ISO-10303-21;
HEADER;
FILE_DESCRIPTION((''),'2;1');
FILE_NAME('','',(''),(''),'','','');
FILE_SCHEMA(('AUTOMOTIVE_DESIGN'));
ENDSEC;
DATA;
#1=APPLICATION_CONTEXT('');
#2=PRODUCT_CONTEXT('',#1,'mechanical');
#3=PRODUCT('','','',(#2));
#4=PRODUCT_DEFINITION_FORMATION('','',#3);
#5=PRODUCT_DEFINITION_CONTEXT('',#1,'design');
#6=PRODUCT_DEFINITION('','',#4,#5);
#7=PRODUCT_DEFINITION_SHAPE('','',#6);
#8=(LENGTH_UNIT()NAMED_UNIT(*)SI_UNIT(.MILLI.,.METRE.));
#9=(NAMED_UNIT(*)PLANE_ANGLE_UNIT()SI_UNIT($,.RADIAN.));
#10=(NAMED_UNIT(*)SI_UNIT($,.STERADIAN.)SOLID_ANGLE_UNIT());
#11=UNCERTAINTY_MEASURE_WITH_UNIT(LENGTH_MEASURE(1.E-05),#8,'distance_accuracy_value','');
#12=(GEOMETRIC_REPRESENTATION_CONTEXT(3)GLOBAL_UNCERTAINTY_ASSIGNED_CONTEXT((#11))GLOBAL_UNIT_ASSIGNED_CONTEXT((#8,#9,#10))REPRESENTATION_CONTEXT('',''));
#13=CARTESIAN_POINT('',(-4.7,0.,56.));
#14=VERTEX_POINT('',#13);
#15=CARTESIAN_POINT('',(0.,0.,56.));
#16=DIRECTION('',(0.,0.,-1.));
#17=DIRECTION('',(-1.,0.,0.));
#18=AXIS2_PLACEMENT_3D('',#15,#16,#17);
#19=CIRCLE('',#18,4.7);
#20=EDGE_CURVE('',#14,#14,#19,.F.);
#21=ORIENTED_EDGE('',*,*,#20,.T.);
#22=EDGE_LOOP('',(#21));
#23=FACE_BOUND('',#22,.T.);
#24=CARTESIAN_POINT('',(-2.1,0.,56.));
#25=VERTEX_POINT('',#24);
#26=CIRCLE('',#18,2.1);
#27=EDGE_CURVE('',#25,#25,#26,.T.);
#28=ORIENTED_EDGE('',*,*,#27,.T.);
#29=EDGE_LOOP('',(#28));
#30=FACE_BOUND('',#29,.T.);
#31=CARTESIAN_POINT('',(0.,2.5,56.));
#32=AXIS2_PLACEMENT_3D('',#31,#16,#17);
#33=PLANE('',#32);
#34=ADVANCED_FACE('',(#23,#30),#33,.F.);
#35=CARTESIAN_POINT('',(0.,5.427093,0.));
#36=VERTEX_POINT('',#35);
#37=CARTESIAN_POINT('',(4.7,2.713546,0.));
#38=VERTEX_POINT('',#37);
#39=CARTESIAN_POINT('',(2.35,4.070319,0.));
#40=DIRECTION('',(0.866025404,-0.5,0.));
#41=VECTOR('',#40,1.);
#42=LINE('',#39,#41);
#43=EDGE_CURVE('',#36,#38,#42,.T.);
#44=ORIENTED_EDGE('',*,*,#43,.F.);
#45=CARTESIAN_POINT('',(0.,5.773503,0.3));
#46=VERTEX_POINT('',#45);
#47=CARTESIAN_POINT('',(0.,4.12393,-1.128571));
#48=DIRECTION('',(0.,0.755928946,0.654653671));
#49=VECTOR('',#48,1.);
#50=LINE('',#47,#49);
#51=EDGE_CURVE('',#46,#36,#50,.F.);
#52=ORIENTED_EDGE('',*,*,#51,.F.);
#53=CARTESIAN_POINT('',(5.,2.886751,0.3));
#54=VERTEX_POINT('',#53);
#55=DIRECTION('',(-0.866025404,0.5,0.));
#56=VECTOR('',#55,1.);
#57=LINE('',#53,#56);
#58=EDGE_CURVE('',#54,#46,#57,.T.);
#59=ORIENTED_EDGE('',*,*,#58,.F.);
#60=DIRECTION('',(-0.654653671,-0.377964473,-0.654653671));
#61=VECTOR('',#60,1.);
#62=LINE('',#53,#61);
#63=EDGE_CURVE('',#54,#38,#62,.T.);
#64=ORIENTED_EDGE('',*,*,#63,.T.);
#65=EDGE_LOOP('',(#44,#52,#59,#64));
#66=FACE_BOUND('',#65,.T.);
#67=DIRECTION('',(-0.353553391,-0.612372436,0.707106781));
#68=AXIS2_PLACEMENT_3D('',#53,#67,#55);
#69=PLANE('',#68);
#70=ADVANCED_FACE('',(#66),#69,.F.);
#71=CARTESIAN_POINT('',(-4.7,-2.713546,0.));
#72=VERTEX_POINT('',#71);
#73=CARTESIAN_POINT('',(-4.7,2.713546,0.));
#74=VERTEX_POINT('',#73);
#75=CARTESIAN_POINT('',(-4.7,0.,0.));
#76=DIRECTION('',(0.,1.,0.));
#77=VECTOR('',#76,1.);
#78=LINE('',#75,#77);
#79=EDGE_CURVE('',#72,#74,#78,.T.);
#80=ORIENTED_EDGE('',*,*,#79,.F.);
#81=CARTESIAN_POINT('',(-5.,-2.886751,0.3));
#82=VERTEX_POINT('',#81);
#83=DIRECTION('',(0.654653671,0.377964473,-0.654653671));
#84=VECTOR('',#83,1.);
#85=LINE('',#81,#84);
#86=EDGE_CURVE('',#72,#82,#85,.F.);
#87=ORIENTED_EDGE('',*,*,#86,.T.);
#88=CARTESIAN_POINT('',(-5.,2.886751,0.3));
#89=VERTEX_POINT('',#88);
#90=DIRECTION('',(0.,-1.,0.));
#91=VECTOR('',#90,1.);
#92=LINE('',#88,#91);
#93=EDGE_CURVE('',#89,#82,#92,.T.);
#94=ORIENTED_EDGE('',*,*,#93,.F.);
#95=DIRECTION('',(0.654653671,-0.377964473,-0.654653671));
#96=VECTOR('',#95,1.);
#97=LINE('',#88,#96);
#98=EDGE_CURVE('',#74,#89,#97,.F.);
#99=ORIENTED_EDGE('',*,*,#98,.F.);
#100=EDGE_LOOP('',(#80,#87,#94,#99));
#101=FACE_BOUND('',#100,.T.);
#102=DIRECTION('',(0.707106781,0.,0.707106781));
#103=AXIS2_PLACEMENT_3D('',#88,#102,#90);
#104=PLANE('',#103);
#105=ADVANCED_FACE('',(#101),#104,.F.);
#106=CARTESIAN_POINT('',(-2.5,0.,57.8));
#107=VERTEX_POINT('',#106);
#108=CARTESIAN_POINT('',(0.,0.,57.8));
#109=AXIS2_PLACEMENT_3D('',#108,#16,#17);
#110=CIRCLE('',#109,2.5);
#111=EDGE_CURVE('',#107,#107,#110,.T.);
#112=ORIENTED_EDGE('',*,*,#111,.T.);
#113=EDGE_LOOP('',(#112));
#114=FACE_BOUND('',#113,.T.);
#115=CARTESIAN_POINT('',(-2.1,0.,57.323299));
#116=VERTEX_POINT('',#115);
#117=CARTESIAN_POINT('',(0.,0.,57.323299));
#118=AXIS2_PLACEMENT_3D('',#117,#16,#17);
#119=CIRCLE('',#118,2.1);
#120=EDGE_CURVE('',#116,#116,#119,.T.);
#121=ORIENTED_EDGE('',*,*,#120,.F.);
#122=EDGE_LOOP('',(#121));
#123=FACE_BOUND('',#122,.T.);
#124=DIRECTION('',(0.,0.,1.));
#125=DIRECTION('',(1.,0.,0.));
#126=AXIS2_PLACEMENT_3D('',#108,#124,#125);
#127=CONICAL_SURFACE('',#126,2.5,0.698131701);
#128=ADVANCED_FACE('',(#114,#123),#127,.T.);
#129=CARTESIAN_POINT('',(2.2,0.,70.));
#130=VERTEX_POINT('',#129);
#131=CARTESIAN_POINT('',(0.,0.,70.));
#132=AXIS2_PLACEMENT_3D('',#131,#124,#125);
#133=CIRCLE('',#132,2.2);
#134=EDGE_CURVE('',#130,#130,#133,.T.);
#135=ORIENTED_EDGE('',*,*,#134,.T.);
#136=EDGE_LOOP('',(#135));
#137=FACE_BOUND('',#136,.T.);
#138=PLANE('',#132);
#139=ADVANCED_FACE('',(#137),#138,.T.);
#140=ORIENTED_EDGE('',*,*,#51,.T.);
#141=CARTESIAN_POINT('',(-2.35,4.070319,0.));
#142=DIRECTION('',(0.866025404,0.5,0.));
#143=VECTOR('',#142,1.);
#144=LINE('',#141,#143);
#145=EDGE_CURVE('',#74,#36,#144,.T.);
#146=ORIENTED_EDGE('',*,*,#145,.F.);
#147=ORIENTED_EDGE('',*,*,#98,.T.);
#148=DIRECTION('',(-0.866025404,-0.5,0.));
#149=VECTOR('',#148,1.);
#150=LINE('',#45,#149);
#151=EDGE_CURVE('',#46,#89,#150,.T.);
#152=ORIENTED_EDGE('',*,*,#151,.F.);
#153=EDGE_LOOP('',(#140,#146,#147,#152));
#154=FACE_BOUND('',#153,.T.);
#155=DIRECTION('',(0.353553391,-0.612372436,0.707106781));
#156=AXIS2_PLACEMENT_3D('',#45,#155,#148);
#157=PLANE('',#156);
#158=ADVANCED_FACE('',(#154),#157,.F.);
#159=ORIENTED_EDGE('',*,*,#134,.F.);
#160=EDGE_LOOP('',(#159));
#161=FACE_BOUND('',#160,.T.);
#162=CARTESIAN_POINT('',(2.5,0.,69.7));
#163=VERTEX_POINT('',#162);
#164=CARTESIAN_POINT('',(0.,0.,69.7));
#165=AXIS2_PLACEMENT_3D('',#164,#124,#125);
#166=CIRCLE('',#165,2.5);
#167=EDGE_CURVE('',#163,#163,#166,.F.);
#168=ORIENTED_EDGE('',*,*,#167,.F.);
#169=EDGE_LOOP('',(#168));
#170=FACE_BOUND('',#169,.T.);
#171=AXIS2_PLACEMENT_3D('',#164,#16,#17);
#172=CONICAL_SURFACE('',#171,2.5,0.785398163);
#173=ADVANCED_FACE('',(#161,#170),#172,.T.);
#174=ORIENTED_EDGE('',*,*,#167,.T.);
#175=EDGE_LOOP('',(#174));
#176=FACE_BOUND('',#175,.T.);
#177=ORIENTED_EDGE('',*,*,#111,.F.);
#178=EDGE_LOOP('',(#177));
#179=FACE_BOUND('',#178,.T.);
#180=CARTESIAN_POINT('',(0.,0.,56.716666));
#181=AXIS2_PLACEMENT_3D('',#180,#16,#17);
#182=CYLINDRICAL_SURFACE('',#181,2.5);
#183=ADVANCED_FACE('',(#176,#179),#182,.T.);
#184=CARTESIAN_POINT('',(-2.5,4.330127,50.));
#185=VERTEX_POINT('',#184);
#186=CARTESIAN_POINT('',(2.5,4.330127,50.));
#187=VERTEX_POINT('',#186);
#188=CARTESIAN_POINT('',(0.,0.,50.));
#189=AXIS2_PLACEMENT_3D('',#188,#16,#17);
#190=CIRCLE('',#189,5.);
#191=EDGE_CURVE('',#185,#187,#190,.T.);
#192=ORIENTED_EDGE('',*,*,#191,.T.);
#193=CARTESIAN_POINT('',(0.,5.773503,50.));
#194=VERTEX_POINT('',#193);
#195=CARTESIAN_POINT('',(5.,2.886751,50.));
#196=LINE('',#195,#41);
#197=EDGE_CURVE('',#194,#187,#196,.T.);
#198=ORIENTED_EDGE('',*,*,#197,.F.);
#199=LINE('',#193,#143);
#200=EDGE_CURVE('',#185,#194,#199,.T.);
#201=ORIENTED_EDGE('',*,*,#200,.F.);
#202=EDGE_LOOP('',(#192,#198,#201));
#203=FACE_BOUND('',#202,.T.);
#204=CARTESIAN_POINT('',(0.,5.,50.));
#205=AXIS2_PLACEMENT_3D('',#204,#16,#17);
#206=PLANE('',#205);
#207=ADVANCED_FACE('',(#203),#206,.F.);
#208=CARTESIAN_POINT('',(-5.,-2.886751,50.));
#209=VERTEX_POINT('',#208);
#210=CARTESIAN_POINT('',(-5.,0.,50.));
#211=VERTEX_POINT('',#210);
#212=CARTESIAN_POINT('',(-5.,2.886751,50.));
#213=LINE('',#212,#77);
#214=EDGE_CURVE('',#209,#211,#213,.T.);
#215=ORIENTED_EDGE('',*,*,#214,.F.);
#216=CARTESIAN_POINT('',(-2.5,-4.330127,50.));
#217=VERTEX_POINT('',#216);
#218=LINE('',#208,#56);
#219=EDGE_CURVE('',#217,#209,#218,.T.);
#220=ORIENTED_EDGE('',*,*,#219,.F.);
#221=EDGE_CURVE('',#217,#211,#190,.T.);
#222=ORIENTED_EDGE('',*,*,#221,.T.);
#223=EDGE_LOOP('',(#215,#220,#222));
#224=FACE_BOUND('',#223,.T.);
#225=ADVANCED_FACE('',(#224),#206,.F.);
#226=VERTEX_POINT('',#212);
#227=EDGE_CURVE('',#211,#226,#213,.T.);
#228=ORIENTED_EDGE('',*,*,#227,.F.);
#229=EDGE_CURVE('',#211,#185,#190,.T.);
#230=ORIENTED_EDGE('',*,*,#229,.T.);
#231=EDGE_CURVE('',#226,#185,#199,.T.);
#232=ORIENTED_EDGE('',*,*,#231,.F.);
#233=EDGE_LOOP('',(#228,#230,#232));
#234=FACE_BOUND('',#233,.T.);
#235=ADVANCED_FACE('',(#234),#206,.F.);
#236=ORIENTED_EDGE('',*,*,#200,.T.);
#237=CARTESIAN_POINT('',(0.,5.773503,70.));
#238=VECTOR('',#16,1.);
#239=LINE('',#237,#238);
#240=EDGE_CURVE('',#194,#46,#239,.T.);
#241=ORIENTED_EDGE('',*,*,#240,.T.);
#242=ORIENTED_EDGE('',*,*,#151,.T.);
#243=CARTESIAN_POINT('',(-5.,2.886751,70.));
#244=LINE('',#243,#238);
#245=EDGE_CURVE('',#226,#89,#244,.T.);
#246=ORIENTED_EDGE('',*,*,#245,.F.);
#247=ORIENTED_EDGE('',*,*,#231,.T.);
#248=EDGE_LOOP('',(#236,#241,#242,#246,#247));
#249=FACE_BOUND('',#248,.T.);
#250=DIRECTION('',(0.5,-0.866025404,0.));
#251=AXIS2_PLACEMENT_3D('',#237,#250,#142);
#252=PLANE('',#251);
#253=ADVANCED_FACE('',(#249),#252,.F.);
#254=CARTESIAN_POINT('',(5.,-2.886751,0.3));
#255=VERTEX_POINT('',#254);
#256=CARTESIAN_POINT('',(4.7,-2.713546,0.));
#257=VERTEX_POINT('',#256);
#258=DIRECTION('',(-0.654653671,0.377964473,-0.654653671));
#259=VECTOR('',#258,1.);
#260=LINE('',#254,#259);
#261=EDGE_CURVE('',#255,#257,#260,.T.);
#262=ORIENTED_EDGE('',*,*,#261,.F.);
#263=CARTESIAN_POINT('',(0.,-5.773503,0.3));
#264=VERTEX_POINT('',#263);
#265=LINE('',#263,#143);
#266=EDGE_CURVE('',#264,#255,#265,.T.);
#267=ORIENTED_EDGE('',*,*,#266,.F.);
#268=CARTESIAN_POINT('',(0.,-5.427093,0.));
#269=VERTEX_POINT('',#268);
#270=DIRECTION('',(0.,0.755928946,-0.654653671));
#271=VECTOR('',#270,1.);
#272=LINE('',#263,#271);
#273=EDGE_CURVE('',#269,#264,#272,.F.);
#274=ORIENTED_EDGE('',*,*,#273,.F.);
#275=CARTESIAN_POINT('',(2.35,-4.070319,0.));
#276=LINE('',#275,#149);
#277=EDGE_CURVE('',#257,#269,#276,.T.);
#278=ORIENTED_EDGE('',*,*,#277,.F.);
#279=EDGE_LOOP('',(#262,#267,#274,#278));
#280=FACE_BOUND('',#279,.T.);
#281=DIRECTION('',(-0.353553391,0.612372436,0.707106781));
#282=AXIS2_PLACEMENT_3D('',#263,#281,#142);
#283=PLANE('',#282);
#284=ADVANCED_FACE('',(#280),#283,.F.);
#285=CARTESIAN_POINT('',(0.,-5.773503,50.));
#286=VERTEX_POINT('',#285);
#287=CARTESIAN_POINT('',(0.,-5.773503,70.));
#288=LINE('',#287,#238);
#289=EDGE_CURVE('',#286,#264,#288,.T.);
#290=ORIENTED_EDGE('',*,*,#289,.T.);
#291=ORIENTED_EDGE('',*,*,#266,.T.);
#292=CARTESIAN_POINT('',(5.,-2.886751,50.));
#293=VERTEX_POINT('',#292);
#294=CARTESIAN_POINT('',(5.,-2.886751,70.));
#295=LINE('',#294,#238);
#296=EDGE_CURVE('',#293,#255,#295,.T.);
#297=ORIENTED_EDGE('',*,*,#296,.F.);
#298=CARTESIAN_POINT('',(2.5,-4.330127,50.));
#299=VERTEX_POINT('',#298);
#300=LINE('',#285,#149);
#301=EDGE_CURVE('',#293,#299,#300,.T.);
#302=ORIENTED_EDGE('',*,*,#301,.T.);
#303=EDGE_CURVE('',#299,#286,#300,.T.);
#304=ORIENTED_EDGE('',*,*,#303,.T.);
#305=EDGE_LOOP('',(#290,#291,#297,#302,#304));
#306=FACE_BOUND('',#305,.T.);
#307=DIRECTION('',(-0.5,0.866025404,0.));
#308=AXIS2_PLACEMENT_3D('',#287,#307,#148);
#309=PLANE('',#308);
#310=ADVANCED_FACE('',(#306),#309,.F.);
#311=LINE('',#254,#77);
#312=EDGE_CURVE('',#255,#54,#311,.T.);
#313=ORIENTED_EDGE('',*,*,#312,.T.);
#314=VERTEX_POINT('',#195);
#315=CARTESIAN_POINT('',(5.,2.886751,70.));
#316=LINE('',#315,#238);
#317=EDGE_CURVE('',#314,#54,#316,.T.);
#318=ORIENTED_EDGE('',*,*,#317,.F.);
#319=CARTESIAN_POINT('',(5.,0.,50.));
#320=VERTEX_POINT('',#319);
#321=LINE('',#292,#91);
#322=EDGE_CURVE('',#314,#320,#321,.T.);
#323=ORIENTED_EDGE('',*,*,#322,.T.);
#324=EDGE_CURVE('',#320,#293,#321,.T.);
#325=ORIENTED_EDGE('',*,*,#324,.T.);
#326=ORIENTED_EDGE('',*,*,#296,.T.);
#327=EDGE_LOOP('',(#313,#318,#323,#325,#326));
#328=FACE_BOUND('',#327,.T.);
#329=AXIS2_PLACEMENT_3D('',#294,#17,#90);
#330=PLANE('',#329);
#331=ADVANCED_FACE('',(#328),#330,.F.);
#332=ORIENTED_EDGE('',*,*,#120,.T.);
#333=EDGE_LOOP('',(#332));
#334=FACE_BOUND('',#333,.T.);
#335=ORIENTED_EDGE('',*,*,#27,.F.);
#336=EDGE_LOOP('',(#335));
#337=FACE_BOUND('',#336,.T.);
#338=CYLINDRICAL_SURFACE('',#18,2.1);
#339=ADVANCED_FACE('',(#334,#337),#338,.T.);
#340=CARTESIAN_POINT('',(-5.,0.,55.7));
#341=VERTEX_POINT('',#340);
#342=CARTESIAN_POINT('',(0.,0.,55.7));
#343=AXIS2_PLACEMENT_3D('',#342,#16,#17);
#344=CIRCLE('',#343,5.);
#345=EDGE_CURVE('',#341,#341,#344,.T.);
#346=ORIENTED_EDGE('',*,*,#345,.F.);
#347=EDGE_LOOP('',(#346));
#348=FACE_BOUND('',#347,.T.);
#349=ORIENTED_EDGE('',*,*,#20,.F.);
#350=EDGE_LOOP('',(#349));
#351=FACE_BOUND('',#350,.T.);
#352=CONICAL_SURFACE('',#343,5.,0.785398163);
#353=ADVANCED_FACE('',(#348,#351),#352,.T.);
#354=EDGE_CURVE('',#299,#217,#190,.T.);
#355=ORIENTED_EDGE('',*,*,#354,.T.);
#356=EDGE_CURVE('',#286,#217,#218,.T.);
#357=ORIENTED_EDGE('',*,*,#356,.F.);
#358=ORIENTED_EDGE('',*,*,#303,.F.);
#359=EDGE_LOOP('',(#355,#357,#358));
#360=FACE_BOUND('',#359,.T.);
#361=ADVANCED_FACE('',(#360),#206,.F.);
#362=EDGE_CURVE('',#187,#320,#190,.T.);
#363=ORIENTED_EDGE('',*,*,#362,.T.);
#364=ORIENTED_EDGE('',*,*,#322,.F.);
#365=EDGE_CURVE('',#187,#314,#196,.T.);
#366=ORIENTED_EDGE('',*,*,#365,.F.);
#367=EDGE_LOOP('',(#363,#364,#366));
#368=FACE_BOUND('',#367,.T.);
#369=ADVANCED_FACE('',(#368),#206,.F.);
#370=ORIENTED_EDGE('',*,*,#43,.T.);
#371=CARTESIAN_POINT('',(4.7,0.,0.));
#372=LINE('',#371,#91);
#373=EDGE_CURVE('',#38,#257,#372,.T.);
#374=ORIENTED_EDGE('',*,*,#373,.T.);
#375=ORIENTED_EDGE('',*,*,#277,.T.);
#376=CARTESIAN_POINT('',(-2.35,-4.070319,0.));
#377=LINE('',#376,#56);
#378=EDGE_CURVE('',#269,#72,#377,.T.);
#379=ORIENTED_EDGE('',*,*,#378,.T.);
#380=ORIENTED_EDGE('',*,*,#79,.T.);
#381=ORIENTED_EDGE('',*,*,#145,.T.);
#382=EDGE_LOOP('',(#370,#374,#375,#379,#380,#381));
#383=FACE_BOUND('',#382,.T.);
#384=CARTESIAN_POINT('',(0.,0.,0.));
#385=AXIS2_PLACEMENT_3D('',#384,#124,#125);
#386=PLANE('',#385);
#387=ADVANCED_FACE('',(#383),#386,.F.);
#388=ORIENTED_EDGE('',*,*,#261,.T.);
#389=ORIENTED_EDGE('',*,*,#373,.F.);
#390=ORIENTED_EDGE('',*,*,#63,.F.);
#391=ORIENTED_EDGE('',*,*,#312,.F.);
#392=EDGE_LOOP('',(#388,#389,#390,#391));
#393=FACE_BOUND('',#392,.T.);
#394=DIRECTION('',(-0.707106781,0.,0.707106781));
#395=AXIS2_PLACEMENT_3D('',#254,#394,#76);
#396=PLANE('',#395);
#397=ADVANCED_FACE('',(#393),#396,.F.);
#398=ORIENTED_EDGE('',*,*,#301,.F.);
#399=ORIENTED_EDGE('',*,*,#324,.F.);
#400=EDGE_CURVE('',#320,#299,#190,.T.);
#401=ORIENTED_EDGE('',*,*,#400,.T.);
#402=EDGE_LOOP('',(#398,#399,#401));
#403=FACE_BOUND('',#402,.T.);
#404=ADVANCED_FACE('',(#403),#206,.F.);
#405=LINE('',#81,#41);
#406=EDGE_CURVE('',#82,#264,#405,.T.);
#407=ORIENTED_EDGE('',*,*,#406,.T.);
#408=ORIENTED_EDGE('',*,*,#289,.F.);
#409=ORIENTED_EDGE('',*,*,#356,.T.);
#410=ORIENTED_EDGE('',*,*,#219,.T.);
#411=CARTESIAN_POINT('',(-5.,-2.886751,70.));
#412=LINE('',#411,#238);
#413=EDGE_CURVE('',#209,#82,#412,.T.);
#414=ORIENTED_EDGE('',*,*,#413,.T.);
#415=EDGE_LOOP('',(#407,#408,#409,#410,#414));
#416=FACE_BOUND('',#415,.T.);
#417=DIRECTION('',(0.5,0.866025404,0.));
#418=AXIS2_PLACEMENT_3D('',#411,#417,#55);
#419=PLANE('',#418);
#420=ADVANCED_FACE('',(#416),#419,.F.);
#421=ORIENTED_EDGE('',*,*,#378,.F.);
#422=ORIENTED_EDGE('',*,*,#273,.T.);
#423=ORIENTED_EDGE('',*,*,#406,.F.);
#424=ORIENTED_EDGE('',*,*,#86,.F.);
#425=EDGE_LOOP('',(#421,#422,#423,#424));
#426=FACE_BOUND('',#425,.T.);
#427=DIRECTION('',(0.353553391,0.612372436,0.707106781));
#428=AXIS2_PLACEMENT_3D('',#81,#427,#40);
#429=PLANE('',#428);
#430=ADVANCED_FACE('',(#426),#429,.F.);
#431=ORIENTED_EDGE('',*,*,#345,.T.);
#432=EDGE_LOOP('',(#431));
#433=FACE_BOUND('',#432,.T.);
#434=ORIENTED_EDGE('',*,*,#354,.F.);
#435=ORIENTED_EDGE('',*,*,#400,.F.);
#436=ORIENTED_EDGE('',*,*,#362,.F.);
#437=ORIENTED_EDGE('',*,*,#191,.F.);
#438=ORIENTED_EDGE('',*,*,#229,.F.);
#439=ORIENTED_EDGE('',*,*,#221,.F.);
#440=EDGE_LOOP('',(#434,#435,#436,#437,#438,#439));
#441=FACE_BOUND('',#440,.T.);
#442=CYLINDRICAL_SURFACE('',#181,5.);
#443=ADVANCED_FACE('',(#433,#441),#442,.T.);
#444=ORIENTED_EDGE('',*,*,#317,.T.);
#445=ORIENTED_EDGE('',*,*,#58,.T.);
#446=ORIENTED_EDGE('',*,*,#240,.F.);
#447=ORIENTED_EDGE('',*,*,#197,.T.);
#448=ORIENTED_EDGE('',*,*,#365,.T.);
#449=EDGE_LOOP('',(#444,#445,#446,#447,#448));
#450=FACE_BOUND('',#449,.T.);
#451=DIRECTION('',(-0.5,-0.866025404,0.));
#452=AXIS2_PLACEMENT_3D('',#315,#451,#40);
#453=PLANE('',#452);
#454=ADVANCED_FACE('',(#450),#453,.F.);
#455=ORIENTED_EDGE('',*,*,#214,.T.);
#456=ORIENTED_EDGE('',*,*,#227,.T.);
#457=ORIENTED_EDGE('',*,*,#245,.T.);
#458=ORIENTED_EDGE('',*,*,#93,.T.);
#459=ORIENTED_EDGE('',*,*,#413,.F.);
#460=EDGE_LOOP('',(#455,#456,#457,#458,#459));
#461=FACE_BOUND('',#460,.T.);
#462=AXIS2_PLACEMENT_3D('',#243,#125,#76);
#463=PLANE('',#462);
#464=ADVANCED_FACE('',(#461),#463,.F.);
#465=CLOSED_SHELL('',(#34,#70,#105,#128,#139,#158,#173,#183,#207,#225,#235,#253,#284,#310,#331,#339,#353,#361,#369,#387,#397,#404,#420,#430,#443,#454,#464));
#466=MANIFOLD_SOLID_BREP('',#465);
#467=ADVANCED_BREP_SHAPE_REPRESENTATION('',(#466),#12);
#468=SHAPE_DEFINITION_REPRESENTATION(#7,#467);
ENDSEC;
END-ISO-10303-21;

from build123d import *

# Parameters (mm, degrees)
AUFSATZ_LINEAR_AUSTRAGEN1_DEPTH = 70
FASE1_SIZE                      = 0.3
FASE2_SIZE                      = 0.3


with BuildPart() as part:
    # Skizze1 → Aufsatz-Linear austragen1 (new body)
    with BuildSketch(Plane.XY):
        Polygon((0, 5.773502692), (-5, 2.886751346), (-5, -2.886751346), (0, -5.773502692), (5, -2.886751346), (5, 2.886751346), align=None)
    extrude(amount=AUFSATZ_LINEAR_AUSTRAGEN1_DEPTH)

    # Skizze2 → Schnitt-Rotation1 (revolve, cut)
    with BuildSketch(Plane(origin=(0, 0, 0), x_dir=(0, 0, -1), z_dir=(1, 0, 0)), mode=Mode.PRIVATE) as schnitt_rotation1_sk:
        Polygon((-70, 2.5), (-56, 2.5), (-56, 5), (-50, 5), (-50, 7.5), (-70, 7.5), align=None)
    revolve(schnitt_rotation1_sk.sketch.rotate(Axis((0, 0, 56.716665977), (0, 0, 1)), 90), axis=Axis((0, 0, 56.716665977), (0, 0, 1)), mode=Mode.SUBTRACT)

    # Fase1
    fase1_edges = [part.edges().sort_by_distance(p)[0] for p in [
        (2.5, 0, 70),
        (5, 0, 56),
    ]]
    chamfer(fase1_edges, length=FASE1_SIZE)

    # Skizze3 → Schnitt-Rotation2 (revolve, cut)
    with BuildSketch(Plane(origin=(0, 0, 0), x_dir=(0, 0, -1), z_dir=(1, 0, 0)), mode=Mode.PRIVATE) as schnitt_rotation2_sk:
        Polygon((-56, 2.5), (-57.8, 2.5), (-57.323298563, 2.1), (-56, 2.1), align=None)
    revolve(schnitt_rotation2_sk.sketch.rotate(Axis((0, 0, 56), (0, 0, 1)), 90), axis=Axis((0, 0, 56), (0, 0, 1)), mode=Mode.SUBTRACT)

    # Fase2
    fase2_edges = [part.edges().sort_by_distance(p)[0] for p in [
        (5, 0, 0),
        (2.5, -4.330127019, 0),
        (-2.5, -4.330127019, 0),
        (-5, 0, 0),
        (-2.5, 4.330127019, 0),
        (2.5, 4.330127019, 0),
    ]]
    chamfer(fase2_edges, length=FASE2_SIZE)


solid = part.part
